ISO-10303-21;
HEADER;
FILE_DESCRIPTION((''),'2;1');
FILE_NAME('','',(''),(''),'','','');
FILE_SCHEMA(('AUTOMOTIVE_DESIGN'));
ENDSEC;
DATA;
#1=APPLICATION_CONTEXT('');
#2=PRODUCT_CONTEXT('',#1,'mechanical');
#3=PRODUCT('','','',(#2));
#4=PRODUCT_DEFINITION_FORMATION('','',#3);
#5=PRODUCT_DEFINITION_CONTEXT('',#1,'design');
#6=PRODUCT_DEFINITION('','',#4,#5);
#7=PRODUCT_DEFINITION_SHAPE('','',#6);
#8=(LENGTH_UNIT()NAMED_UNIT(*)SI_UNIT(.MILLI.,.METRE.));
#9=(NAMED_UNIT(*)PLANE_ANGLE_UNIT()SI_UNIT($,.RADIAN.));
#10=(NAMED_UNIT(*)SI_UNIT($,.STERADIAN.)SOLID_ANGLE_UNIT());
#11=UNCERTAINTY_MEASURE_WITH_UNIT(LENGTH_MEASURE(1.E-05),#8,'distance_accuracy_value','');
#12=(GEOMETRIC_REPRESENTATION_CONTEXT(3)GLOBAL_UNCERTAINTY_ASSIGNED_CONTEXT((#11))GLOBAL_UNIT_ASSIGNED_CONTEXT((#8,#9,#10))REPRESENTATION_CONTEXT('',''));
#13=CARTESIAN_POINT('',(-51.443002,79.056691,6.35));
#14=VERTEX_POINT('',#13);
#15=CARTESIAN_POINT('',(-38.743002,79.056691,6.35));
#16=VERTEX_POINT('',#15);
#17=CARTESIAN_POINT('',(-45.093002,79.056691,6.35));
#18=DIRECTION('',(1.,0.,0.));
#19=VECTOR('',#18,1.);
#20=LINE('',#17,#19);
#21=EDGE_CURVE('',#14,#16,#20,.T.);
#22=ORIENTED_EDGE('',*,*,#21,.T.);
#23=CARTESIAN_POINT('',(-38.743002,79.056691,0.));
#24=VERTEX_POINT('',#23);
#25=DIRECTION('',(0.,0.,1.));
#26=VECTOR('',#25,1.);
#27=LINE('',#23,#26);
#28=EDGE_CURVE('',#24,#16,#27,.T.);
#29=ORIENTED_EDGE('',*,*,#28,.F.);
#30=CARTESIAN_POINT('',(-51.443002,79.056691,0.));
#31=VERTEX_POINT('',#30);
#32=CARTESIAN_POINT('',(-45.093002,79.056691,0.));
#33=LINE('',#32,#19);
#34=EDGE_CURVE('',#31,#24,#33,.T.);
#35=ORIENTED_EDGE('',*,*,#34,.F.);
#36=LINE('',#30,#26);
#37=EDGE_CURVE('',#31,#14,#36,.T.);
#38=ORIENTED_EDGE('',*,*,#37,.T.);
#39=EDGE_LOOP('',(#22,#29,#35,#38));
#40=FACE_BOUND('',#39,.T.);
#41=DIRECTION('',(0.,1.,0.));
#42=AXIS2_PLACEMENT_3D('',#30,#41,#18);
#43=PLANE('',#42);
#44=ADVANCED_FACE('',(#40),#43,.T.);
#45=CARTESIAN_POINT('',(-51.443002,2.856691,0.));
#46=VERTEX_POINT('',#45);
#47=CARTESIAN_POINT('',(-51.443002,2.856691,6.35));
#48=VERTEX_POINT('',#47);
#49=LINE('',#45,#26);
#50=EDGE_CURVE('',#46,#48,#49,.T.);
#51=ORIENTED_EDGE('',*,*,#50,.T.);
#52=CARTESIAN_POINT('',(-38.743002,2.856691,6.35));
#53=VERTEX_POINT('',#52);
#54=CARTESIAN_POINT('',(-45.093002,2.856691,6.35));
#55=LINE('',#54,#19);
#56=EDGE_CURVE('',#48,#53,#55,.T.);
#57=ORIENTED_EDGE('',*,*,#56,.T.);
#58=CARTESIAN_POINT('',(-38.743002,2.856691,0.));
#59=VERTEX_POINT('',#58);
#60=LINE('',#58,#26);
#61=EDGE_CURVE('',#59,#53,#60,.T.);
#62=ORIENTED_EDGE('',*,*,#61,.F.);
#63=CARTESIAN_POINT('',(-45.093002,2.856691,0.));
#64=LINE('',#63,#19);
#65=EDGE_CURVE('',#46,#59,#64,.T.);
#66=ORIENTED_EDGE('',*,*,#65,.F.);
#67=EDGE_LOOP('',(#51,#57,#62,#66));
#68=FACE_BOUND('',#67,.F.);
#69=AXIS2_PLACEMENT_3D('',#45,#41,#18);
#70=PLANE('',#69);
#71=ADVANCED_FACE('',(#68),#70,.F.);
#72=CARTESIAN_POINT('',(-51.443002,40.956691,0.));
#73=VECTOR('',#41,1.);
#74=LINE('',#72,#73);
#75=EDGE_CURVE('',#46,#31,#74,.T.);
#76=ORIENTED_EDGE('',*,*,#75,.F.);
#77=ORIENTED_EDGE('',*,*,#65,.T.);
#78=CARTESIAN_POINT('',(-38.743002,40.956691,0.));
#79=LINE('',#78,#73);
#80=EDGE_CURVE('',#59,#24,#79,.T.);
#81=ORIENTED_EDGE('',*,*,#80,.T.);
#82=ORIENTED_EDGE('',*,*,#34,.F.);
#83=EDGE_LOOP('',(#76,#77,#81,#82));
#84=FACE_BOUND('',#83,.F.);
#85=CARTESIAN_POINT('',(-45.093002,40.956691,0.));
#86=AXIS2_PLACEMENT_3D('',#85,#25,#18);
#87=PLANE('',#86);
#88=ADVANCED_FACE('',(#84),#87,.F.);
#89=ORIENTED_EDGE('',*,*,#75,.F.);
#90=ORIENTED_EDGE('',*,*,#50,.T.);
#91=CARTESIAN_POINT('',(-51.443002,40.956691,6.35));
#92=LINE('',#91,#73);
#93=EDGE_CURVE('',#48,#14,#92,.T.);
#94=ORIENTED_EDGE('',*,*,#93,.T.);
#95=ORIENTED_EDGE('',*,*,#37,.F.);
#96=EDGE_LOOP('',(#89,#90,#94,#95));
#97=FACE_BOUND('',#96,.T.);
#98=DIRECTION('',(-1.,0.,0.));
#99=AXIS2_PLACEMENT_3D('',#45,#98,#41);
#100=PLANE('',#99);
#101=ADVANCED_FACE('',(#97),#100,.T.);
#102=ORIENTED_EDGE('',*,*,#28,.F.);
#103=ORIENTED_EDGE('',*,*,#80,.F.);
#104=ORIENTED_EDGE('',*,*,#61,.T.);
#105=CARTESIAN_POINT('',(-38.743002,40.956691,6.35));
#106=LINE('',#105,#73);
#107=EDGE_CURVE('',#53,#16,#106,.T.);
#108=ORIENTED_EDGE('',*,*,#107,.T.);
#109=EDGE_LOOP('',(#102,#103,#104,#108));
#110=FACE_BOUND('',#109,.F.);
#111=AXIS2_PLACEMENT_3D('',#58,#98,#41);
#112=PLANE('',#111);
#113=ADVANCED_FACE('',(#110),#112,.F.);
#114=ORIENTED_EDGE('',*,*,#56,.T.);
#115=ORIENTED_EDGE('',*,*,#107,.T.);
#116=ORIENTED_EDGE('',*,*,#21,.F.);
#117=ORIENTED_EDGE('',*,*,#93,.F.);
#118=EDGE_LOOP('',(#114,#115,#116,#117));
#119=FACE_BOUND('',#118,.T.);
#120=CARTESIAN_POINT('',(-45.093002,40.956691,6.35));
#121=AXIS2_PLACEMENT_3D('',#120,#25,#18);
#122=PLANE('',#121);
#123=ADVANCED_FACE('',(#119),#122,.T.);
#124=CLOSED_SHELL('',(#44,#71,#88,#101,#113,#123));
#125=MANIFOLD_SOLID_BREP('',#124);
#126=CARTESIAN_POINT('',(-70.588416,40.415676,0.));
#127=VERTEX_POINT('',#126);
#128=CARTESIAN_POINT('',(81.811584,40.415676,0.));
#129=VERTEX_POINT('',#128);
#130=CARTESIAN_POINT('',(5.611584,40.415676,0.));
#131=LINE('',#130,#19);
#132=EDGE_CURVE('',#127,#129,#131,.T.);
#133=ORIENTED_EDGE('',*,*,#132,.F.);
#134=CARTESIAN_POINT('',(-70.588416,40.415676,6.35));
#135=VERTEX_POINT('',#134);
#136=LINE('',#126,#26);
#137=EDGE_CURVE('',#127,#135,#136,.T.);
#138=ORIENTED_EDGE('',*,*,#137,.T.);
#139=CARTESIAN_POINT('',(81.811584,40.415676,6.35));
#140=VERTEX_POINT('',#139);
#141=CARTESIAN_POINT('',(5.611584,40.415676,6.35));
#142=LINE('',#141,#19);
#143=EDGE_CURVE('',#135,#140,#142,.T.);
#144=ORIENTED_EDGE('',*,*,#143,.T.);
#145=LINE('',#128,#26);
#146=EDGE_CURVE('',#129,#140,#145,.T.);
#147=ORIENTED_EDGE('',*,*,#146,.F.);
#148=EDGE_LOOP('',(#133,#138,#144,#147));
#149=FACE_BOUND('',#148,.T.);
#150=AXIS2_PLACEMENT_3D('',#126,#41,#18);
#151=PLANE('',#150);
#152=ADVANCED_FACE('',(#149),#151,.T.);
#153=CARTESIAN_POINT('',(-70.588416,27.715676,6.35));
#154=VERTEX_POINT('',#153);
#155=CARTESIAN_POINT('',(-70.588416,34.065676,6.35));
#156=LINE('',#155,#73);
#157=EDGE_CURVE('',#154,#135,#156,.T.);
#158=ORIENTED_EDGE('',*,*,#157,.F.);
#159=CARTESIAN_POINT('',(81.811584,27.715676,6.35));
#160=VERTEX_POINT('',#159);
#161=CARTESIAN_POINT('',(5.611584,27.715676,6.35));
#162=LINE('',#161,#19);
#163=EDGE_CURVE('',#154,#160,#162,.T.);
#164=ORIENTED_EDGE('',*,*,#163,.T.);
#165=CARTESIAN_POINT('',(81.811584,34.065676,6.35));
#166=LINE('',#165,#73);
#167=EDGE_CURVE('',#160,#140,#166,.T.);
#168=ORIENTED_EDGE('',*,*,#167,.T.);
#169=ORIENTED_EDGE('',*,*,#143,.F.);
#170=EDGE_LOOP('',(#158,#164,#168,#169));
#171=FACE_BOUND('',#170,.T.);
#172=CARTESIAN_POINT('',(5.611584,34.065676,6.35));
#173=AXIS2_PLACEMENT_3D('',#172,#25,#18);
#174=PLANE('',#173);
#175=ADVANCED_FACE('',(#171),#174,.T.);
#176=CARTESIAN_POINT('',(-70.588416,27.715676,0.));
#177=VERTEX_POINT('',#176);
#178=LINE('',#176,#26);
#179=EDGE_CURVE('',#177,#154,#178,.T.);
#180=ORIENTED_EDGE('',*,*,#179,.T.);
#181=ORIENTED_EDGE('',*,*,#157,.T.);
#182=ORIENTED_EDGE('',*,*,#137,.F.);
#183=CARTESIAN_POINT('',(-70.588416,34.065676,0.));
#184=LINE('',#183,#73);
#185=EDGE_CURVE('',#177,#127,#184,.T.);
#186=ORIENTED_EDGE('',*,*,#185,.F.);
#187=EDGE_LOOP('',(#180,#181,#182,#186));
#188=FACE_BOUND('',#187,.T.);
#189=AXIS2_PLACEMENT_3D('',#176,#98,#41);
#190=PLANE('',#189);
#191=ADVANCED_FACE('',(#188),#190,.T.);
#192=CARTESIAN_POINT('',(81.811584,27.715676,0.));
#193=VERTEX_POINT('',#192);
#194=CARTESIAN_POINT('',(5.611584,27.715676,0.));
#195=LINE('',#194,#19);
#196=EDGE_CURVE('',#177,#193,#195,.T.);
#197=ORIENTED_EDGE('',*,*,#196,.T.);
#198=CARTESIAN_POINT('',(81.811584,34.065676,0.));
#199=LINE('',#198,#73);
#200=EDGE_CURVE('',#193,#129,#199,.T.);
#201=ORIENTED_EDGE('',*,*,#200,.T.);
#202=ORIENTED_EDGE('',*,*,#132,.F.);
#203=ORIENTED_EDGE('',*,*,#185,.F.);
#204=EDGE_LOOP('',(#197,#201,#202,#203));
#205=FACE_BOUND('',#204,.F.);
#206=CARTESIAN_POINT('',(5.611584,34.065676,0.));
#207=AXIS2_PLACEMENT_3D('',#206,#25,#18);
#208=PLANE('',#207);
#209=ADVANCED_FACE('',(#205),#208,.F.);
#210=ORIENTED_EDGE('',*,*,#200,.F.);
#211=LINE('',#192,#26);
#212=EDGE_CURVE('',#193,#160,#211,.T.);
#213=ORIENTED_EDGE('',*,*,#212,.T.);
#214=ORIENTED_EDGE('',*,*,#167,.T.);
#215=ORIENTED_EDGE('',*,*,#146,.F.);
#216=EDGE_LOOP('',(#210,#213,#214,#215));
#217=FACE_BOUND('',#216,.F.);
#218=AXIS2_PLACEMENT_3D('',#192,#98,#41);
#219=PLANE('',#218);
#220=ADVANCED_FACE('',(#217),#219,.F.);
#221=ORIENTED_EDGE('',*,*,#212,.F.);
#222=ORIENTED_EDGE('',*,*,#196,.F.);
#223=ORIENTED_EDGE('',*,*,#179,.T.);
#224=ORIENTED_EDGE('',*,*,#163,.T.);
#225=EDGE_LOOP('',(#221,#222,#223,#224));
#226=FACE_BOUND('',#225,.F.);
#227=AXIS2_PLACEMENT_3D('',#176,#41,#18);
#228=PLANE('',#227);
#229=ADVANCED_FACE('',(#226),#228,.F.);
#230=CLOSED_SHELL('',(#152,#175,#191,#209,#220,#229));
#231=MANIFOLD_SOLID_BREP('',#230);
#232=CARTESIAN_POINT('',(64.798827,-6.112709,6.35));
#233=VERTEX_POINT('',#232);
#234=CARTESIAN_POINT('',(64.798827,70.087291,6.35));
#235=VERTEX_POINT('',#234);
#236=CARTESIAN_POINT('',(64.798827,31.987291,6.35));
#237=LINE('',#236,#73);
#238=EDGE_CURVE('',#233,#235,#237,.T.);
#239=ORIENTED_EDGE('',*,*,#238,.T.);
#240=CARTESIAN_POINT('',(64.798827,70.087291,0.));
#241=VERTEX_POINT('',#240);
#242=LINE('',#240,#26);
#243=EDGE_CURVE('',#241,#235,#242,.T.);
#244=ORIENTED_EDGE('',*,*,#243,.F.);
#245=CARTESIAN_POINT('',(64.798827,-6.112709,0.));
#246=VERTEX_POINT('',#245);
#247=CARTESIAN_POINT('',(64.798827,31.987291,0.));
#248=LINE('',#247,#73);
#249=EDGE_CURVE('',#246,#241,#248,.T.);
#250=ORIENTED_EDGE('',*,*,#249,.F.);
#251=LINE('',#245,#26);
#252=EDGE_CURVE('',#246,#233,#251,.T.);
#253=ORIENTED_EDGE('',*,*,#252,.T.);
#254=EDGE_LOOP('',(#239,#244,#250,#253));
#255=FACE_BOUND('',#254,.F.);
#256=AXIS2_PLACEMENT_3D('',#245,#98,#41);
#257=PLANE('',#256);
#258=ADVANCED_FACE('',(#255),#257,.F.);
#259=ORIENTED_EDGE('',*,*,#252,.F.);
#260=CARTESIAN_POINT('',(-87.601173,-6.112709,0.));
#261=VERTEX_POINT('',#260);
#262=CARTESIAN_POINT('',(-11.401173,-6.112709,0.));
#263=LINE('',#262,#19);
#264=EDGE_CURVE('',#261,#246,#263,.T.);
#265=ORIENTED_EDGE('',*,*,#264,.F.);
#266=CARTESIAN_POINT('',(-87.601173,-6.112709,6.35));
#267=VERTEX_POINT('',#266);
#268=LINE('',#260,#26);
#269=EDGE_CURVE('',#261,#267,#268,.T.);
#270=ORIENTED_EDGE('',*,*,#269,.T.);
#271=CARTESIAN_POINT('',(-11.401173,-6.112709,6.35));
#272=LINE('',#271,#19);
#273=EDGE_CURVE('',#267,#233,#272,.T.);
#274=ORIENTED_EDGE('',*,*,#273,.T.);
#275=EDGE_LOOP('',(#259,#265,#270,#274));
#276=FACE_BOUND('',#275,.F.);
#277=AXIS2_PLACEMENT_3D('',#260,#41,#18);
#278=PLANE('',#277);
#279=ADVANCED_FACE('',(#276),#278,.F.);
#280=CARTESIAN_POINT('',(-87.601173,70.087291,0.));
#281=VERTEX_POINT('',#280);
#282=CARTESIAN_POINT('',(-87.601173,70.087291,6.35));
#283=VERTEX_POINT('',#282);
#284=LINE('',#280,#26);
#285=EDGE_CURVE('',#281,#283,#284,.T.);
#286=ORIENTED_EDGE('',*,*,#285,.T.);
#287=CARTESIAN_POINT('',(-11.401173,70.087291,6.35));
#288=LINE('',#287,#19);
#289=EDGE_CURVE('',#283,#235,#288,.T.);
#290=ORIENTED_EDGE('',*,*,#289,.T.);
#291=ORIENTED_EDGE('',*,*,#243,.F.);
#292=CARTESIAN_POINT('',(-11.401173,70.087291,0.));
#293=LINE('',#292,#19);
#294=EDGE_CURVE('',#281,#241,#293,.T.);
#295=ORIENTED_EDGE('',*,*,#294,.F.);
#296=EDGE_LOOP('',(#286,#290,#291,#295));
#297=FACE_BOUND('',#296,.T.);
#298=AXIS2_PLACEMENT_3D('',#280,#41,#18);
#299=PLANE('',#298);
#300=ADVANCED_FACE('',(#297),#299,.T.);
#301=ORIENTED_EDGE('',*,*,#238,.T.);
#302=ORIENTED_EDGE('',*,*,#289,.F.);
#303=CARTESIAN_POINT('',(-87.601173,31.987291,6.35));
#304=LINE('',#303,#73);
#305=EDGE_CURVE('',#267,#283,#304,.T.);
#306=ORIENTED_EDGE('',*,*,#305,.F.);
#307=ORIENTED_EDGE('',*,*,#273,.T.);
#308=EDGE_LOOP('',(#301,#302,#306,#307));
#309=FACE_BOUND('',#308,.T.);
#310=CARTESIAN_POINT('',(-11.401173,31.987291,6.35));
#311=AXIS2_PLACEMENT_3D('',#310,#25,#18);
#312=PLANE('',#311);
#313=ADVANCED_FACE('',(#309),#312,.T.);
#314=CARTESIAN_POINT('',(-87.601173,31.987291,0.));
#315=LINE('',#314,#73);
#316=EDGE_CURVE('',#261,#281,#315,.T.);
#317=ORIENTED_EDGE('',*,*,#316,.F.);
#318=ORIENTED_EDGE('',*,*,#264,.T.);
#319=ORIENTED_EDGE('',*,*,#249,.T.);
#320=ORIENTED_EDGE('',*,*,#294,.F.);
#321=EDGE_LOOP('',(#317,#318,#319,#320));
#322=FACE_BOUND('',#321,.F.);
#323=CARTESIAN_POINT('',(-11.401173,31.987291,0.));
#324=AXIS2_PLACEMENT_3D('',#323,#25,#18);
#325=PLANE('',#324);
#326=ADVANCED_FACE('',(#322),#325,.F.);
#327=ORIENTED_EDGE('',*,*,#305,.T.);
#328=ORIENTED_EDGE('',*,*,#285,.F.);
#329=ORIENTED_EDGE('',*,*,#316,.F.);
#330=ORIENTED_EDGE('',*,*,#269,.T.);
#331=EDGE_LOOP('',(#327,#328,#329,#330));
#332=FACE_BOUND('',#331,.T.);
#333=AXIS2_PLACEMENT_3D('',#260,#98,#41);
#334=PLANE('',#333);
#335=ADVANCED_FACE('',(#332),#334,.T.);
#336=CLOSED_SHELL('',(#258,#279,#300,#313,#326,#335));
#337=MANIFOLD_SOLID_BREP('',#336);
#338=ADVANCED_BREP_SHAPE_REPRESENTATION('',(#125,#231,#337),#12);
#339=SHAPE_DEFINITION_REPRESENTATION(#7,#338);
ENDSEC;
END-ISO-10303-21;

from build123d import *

# Parameters (mm, degrees)
F0_W     = 152.4
F0_H     = 76.2
F1_DEPTH = 6.35
F2_W     = 152.4
F2_H     = 12.7
F3_DEPTH = 6.35
F4_W     = 12.7
F4_H     = 76.2
F5_DEPTH = 6.35


with BuildPart() as f1:
    # F0 (on Top) → F1 (new body)
    with BuildSketch(Plane.XY):
        with Locations((-11.401173, 31.987291)):
            Rectangle(F0_W, F0_H)
    extrude(amount=F1_DEPTH)


with BuildPart() as f3:
    # F2 (on Top) → F3 (new body)
    with BuildSketch(Plane.XY):
        with Locations((5.611584, 34.065676)):
            Rectangle(F2_W, F2_H)
    extrude(amount=F3_DEPTH)


with BuildPart() as f5:
    # F4 (on Top) → F5 (new body)
    with BuildSketch(Plane.XY):
        with Locations((-45.093002, 40.956691)):
            Rectangle(F4_W, F4_H)
    extrude(amount=F5_DEPTH)


solid = Compound([f1.part, f3.part, f5.part])
